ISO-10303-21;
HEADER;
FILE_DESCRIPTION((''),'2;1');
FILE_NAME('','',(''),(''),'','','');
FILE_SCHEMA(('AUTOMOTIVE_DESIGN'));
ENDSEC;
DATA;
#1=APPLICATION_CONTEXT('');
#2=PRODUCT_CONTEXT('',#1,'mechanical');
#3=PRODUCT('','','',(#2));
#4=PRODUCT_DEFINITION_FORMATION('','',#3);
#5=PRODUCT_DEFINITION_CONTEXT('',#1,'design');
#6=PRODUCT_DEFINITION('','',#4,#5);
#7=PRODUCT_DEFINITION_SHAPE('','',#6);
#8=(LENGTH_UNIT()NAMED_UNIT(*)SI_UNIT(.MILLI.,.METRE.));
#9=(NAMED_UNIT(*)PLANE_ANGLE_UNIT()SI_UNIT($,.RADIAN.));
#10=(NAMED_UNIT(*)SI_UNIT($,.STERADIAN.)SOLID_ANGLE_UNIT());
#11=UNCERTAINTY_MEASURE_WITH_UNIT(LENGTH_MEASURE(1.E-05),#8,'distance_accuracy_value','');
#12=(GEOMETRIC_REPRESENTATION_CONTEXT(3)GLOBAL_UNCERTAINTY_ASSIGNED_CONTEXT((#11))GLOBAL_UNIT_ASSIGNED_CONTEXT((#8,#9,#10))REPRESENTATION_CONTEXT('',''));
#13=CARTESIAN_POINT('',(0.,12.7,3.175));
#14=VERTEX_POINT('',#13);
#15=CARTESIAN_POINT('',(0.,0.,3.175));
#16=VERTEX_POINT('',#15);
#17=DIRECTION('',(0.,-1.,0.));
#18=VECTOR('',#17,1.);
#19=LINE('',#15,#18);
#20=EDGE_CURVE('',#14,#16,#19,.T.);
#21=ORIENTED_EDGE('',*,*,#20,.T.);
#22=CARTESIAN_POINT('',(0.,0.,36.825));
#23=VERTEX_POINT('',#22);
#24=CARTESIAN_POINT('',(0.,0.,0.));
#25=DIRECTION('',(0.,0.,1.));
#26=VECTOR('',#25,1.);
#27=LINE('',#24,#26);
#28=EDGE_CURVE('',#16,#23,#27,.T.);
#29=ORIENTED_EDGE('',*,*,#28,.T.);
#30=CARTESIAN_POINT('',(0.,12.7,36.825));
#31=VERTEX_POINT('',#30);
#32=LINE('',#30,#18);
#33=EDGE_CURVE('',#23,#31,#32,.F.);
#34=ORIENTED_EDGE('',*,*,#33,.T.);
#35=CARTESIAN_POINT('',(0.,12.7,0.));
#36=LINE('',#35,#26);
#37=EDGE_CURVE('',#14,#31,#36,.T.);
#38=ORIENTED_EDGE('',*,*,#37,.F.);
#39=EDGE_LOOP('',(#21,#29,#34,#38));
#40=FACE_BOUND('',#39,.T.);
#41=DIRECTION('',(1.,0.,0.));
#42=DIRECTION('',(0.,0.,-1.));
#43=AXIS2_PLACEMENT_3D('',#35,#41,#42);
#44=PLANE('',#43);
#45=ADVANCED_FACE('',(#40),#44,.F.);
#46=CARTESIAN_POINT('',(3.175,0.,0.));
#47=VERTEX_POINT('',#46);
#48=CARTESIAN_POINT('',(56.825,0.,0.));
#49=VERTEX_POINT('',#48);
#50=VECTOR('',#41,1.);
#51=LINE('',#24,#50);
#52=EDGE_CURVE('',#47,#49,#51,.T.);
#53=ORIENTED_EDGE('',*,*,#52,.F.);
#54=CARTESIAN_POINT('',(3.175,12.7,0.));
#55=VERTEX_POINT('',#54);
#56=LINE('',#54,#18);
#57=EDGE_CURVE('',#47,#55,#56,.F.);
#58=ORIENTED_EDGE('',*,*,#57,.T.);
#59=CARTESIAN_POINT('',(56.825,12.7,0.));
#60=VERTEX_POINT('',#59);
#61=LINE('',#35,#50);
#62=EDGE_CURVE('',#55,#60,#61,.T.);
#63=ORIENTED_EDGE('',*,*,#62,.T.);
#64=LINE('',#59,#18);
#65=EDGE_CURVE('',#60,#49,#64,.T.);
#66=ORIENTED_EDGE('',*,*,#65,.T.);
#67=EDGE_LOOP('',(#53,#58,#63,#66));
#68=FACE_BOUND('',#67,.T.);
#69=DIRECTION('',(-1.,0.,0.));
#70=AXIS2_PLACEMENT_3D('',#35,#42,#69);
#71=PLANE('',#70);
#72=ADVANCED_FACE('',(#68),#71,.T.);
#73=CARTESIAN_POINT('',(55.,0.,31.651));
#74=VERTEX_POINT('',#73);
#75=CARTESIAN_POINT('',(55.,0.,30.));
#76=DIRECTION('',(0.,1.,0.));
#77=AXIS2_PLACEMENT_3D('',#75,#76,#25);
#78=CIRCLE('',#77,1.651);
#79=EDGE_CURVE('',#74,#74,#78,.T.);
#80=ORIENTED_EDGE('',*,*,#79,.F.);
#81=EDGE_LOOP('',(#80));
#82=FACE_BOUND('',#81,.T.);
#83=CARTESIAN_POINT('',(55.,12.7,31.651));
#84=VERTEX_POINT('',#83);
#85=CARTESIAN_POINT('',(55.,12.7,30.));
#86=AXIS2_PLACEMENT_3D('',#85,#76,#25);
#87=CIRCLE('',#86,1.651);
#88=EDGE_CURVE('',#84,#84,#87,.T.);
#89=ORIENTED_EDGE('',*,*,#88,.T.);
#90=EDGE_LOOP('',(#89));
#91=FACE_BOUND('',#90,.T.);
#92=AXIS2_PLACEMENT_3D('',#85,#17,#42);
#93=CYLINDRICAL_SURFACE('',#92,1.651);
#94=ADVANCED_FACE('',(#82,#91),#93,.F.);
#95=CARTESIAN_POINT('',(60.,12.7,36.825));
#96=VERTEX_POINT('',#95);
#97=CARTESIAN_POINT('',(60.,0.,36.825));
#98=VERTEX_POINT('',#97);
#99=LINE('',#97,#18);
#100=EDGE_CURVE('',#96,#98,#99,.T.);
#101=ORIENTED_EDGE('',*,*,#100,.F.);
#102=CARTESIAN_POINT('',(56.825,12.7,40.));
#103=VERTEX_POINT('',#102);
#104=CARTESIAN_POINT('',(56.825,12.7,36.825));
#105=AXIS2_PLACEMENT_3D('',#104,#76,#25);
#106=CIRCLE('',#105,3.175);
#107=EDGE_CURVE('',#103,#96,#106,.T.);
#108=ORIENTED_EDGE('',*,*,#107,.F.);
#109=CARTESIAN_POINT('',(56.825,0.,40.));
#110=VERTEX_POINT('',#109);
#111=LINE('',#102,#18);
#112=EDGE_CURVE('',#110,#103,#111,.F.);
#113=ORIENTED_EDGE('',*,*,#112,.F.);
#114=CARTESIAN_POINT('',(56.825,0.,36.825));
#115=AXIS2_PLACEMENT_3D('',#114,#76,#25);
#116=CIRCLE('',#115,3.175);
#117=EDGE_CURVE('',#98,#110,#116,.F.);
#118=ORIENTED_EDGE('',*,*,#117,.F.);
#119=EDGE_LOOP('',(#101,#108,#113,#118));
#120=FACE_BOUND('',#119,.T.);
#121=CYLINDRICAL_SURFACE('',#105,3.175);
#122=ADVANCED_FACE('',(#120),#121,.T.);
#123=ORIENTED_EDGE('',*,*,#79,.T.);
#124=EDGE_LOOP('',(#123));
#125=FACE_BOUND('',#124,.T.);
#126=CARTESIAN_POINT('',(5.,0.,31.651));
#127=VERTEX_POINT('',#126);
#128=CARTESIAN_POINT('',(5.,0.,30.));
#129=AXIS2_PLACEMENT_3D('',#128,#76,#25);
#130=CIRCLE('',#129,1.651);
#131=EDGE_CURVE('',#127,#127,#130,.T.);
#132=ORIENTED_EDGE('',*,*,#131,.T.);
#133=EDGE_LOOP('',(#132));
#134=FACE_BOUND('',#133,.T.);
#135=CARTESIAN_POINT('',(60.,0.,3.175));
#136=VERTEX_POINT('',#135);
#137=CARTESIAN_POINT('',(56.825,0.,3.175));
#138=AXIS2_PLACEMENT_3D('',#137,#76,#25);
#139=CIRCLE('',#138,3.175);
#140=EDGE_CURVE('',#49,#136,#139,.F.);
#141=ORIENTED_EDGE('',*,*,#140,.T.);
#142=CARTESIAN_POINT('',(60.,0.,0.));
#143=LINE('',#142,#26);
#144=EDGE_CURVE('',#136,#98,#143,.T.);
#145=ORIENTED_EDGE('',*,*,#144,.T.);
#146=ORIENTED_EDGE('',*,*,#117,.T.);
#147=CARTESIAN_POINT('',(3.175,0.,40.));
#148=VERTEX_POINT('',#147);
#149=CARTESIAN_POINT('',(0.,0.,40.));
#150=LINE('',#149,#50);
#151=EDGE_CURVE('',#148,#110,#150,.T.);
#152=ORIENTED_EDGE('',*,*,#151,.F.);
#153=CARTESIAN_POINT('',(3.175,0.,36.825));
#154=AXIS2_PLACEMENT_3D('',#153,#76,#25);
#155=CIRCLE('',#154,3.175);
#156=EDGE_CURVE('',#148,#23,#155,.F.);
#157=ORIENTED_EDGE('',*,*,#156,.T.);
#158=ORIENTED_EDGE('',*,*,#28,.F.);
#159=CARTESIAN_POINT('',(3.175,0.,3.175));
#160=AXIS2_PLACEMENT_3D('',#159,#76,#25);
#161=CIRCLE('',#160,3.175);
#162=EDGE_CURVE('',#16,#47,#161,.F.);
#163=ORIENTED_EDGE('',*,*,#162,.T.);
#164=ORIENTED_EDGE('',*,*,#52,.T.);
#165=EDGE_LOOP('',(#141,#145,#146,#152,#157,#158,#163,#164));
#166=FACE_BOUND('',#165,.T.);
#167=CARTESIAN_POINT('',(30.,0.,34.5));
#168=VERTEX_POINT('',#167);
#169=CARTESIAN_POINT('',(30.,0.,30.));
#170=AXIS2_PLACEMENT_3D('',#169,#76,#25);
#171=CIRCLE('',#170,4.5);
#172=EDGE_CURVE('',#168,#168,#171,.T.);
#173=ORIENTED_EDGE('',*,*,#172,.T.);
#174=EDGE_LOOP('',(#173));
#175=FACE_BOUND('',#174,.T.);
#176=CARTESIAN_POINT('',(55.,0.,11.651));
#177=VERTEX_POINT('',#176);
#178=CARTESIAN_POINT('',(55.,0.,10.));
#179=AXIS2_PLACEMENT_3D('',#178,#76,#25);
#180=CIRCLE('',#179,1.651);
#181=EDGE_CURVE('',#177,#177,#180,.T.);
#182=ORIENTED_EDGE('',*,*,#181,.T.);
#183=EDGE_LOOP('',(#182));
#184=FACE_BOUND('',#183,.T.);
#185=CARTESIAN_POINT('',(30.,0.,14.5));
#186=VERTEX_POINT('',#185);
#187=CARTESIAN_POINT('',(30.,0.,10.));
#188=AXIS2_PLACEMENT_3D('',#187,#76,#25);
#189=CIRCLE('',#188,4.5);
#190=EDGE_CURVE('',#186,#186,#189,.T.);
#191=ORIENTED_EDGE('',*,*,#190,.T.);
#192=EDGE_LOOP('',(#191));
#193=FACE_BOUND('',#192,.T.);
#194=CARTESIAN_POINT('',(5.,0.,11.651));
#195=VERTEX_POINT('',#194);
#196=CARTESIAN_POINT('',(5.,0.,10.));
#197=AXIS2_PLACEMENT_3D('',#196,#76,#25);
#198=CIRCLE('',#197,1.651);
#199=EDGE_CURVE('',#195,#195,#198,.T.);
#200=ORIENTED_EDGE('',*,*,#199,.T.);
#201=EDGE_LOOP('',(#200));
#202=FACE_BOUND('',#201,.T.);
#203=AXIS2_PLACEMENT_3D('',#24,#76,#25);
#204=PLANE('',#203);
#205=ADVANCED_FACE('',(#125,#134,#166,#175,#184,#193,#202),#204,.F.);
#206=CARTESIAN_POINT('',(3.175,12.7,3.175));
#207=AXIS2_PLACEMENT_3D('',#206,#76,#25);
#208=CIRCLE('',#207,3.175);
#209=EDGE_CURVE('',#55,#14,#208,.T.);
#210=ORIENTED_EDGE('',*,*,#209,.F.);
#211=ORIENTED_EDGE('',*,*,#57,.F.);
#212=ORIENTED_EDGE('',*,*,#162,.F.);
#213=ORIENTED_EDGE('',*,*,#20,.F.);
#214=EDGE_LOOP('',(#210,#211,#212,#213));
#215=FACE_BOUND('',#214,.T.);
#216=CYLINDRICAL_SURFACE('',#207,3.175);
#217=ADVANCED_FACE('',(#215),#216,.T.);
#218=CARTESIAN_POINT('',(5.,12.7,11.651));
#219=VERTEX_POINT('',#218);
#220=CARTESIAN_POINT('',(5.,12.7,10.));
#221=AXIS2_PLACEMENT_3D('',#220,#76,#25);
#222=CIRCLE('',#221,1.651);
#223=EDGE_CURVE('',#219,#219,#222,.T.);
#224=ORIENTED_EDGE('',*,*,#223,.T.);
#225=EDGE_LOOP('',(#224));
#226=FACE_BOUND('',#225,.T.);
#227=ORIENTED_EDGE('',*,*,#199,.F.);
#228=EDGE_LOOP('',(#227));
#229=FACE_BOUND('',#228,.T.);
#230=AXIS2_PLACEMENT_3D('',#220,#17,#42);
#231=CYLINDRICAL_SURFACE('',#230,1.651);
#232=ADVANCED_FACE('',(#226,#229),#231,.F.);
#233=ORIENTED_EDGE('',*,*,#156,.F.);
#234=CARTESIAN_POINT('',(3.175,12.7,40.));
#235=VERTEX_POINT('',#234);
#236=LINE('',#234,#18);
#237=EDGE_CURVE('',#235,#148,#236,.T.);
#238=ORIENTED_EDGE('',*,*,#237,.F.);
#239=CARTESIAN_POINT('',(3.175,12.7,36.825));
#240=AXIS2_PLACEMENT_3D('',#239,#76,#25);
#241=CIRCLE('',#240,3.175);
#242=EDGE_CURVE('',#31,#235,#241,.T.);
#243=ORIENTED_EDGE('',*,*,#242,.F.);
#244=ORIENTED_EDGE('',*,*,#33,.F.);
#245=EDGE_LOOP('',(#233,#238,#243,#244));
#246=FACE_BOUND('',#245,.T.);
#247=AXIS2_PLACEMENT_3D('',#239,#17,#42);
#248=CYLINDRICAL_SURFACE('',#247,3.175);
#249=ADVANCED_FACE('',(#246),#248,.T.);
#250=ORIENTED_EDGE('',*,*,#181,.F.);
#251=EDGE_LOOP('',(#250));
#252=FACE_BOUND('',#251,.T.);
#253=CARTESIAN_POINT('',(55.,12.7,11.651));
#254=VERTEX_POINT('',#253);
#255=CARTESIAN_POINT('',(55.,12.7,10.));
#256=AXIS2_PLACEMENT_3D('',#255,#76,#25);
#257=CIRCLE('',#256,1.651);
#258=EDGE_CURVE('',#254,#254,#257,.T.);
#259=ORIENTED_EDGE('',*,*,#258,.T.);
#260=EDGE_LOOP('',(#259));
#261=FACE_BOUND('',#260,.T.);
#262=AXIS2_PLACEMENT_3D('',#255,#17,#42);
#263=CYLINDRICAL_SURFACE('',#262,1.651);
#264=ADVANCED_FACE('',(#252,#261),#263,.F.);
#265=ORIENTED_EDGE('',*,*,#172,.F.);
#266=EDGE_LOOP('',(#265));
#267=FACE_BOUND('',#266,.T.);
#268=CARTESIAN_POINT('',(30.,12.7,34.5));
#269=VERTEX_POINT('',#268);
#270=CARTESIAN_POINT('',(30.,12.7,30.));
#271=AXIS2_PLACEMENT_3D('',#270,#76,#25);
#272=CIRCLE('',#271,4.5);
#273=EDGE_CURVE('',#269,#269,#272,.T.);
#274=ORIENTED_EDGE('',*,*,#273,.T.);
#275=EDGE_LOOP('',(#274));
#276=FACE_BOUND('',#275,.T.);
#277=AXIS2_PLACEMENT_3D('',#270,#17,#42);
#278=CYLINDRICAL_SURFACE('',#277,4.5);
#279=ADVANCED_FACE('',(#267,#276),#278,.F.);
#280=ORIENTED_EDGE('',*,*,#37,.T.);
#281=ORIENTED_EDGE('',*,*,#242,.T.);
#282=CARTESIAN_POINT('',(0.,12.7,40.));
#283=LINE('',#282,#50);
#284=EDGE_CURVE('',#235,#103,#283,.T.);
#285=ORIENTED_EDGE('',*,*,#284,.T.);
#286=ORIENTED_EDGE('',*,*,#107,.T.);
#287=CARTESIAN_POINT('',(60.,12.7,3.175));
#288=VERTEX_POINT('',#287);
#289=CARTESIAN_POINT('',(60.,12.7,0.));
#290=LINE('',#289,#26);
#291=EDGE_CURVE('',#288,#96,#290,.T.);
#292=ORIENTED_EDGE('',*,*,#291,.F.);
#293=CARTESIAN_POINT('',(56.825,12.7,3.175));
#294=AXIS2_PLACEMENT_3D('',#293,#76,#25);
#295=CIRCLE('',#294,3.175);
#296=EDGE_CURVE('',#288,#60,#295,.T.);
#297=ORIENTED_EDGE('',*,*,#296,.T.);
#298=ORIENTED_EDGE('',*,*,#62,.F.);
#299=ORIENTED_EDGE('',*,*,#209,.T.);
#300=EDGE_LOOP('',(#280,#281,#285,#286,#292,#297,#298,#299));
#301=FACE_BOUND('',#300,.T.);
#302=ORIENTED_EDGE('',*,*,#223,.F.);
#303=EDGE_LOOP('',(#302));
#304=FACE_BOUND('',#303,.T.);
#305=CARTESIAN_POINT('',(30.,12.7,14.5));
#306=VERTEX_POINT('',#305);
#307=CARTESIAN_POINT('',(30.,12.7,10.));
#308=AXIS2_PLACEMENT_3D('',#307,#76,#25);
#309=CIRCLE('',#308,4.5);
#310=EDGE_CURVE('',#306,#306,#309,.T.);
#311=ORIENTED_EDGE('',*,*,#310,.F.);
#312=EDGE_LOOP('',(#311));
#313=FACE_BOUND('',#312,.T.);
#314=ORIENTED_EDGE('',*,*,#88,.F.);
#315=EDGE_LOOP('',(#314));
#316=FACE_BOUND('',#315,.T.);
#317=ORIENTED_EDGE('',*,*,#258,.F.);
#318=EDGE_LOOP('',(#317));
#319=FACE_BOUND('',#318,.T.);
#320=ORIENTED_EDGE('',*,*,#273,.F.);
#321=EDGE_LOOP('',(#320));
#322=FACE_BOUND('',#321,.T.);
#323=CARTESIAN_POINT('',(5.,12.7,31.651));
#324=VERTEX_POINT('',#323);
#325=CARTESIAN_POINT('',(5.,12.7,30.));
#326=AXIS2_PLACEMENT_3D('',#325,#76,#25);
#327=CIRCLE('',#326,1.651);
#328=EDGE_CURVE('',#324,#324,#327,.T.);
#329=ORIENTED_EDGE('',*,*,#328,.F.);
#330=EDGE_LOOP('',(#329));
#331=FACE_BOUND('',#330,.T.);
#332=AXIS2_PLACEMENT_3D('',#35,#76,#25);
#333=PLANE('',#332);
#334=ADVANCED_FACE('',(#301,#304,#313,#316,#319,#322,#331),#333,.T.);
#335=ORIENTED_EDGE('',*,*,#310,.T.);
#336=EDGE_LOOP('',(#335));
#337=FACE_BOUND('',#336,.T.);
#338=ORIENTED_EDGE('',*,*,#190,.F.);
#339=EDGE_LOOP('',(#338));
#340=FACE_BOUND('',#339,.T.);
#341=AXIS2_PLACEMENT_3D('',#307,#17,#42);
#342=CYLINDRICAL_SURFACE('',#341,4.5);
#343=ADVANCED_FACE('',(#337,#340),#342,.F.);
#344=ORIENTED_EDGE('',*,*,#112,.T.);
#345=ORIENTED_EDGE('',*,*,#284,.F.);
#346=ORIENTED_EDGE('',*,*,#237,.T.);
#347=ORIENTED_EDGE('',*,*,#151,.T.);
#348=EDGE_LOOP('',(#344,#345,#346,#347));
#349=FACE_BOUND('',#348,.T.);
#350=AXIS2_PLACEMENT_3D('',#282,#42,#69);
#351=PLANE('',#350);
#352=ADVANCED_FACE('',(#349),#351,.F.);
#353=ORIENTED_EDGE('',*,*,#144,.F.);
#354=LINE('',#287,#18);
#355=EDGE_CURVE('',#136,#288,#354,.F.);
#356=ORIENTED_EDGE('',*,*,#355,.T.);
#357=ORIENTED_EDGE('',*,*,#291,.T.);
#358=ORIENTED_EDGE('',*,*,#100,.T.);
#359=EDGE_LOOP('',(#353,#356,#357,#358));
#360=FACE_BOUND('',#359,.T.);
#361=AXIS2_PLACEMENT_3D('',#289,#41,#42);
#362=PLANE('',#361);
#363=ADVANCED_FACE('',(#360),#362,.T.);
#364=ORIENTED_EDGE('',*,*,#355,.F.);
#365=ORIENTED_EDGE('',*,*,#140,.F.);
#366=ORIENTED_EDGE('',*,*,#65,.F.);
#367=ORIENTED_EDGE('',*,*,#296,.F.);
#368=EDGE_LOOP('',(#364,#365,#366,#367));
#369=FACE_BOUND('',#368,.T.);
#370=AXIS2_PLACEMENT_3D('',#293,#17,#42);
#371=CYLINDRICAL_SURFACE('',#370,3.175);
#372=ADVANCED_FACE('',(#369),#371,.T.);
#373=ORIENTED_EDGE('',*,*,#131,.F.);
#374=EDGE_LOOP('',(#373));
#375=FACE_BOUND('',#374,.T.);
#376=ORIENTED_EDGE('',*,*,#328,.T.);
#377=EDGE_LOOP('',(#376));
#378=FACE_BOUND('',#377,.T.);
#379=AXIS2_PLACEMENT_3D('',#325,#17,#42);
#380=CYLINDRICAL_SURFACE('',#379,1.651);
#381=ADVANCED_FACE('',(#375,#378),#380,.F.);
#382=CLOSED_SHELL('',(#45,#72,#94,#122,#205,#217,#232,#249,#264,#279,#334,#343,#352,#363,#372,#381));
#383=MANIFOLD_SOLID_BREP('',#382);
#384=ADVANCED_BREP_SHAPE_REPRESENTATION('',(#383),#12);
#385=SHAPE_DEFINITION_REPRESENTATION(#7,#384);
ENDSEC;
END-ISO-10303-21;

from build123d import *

# Parameters (mm, degrees)
SKETCH1_W           = 60
SKETCH1_H           = 40
SKETCH1_R           = 4.5
SKETCH1_R_2         = 1.651
BOSS_EXTRUDE1_DEPTH = 12.7
FILLET1_R           = 3.175


with BuildPart() as part:
    # Sketch1 → Boss-Extrude1 (new body)
    with BuildSketch(Plane(origin=(0, 0, 0), x_dir=(1, 0, 0), z_dir=(0, 1, 0))):
        with Locations((30, -20)):
            Rectangle(SKETCH1_W, SKETCH1_H)
        with Locations(Location((30, -30, 0), (0, 0, 270))):
            Circle(SKETCH1_R, mode=Mode.SUBTRACT)
        with Locations(Location((30, -10, 0), (0, 0, 270))):
            Circle(SKETCH1_R, mode=Mode.SUBTRACT)
        with Locations(Location((5, -10, 0), (0, 0, 270))):
            Circle(SKETCH1_R_2, mode=Mode.SUBTRACT)
        with Locations(Location((55, -10, 0), (0, 0, 270))):
            Circle(SKETCH1_R_2, mode=Mode.SUBTRACT)
        with Locations(Location((5, -30, 0), (0, 0, 270))):
            Circle(SKETCH1_R_2, mode=Mode.SUBTRACT)
        with Locations(Location((55, -30, 0), (0, 0, 270))):
            Circle(SKETCH1_R_2, mode=Mode.SUBTRACT)
    extrude(amount=BOSS_EXTRUDE1_DEPTH)

    # Fillet1
    fillet1_edges = [part.edges().sort_by_distance(p)[0] for p in [
        (60, 6.35, 40),
        (0, 6.35, 40),
        (0, 6.35, 0),
        (60, 6.35, 0),
    ]]
    fillet(fillet1_edges, radius=FILLET1_R)


solid = part.part
